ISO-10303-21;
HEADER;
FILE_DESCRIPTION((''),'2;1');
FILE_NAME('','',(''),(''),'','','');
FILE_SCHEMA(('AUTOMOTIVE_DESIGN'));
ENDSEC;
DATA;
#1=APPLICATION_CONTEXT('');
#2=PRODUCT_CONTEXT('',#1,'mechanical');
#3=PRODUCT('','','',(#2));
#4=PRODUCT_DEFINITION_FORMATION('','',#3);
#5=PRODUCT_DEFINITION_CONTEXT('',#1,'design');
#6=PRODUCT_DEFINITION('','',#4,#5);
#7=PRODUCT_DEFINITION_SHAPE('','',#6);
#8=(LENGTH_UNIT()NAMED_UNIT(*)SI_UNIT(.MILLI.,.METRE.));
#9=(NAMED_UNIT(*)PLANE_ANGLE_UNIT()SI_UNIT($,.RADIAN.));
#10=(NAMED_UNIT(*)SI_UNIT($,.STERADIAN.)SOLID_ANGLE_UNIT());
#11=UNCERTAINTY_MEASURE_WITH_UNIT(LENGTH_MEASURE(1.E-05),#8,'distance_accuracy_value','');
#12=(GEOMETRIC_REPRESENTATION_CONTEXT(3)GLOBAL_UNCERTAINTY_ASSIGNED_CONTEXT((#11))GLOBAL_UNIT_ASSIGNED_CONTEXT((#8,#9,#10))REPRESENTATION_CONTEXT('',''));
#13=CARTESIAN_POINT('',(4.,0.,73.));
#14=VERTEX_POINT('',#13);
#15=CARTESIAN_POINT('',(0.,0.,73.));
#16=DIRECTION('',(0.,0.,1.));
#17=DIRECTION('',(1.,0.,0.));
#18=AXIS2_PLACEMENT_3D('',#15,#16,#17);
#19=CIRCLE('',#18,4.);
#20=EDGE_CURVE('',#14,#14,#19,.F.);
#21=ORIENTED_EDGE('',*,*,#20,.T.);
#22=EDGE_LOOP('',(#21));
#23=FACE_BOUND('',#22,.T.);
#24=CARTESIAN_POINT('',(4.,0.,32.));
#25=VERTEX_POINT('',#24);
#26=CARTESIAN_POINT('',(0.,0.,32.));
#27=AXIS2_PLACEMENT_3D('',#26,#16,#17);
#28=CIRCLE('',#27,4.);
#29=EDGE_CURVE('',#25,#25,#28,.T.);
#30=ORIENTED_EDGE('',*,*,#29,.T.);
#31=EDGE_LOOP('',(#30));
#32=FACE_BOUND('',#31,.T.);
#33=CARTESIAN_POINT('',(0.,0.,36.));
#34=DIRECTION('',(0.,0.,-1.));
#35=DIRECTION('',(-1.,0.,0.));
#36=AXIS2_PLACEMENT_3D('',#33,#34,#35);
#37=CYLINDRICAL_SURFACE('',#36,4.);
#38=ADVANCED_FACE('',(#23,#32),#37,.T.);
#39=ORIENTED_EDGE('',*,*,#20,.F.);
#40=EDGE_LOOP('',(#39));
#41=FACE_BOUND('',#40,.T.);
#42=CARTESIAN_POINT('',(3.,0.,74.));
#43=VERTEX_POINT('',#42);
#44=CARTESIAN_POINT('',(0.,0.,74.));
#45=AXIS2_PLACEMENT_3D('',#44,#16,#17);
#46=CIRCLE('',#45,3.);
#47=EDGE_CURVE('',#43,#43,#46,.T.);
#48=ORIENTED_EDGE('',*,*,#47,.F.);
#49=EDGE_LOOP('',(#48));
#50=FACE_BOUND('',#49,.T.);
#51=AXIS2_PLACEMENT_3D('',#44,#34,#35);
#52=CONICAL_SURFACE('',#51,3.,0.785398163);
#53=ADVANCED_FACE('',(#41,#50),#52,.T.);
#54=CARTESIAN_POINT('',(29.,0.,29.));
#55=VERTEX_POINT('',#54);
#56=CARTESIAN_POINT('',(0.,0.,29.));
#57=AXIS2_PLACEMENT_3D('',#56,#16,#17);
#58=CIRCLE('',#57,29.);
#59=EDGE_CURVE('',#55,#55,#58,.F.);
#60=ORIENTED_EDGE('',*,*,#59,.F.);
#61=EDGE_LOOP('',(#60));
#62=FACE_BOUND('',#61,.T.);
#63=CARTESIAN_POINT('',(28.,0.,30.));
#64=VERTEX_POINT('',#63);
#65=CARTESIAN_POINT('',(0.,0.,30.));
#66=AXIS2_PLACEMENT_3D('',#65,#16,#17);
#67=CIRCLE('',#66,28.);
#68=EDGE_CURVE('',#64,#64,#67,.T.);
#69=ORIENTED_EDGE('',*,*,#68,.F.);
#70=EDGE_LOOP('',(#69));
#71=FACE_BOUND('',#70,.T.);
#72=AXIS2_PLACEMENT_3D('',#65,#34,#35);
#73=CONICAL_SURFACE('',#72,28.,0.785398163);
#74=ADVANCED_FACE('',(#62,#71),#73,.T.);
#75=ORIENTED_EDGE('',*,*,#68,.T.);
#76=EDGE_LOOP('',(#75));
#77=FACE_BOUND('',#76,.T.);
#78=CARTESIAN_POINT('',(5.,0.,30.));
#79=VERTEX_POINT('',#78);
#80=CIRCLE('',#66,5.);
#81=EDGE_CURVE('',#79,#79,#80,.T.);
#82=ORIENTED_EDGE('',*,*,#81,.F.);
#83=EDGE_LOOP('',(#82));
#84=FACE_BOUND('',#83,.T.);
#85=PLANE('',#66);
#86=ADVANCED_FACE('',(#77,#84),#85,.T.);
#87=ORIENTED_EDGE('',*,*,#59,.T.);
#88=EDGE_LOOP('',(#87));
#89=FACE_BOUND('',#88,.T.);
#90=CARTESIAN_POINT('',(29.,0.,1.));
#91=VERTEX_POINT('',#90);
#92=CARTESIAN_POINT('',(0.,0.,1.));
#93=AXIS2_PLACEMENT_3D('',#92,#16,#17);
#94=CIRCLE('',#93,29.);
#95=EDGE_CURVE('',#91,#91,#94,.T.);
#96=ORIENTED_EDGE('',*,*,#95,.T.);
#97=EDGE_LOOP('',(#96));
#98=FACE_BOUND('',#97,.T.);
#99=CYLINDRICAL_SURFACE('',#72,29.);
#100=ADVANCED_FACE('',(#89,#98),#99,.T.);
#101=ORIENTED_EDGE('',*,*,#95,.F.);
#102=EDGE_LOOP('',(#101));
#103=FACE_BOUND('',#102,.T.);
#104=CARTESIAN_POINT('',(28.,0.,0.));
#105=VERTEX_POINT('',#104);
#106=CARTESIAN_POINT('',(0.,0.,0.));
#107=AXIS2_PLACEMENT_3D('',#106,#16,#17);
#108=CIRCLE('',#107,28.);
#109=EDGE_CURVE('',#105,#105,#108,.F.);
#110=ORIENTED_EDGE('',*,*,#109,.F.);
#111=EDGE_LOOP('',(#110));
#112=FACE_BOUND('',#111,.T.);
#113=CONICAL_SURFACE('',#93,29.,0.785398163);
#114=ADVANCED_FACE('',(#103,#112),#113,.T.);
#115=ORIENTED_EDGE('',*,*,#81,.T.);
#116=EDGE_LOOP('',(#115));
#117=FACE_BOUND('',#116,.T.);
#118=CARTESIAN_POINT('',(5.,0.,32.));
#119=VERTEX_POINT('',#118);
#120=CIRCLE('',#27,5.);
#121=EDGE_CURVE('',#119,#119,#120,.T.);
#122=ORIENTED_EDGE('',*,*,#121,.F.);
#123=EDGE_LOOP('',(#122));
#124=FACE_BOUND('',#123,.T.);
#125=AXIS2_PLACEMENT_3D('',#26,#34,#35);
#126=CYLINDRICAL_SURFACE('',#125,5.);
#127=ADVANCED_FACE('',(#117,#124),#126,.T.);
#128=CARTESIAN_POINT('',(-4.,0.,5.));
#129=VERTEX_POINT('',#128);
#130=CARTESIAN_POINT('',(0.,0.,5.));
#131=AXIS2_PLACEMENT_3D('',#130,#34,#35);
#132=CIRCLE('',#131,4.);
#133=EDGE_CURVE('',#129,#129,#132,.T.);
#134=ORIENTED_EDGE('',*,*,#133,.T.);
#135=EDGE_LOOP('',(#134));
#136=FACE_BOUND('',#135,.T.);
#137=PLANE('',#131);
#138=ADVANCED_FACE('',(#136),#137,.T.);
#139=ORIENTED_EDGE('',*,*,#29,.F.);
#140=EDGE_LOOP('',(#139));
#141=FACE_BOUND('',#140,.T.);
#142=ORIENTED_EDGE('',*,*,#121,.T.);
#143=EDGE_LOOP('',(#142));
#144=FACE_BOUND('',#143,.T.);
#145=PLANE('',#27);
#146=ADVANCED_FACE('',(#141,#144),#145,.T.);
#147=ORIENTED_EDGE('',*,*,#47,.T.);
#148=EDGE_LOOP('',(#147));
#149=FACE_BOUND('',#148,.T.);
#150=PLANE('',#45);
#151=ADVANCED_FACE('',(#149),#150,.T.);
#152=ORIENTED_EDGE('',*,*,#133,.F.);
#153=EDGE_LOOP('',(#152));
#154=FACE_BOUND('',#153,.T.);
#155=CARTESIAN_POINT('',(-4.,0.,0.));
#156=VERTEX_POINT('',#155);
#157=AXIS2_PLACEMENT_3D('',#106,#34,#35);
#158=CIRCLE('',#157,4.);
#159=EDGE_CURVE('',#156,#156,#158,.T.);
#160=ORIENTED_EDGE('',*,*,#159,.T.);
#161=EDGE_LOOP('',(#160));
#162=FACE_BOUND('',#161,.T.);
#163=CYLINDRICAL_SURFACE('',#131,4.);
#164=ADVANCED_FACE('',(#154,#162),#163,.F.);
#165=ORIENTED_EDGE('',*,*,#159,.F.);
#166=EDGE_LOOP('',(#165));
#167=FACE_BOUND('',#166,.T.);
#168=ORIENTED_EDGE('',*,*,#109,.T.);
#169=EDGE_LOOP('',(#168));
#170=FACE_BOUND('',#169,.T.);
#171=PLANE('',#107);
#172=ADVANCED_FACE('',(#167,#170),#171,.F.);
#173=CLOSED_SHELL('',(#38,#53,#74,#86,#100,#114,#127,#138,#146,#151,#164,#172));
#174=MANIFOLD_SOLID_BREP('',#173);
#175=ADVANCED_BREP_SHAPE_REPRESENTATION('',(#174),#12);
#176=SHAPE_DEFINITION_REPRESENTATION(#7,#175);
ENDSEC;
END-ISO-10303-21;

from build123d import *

# Parameters (mm, degrees)
ESQUISSE1_R             = 29
BOSS_EXTRU_1_DEPTH      = 30
ESQUISSE2_R             = 4
BOSS_EXTRU_2_DEPTH      = 6
ESQUISSE3_R             = 5
BOSS_EXTRU_3_DEPTH      = 2
ESQUISSE4_R             = 4
ENL_V_MAT_EXTRU_1_DEPTH = 5
CHANFREIN1_SIZE         = 1
ESQUISSE5_R             = 4
BOSS_EXTRU_4_DEPTH      = 10
ESQUISSE6_R             = 4
BOSS_EXTRU_5_DEPTH      = 28
CHANFREIN2_SIZE         = 1


with BuildPart() as part:
    # Esquisse1 → Boss.-Extru.1 (new body)
    with BuildSketch(Plane.XY):
        Circle(ESQUISSE1_R)
    extrude(amount=BOSS_EXTRU_1_DEPTH)

    # Esquisse2 → Boss.-Extru.2 (add)
    with BuildSketch(Plane.XY.offset(30)):
        Circle(ESQUISSE2_R)
    extrude(amount=BOSS_EXTRU_2_DEPTH)

    # Esquisse3 → Boss.-Extru.3 (add)
    with BuildSketch(Plane.XY.offset(30)):
        Circle(ESQUISSE3_R)
    extrude(amount=BOSS_EXTRU_3_DEPTH)

    # Esquisse4 → Enlèv. mat.-Extru.1 (cut)
    with BuildSketch(Plane(origin=(0, 0, 0), x_dir=(-1, 0, 0), z_dir=(0, 0, -1))):
        with Locations(Location((0, 0, 0), (0, 0, 180))):
            Circle(ESQUISSE4_R)
    extrude(amount=-ENL_V_MAT_EXTRU_1_DEPTH, mode=Mode.SUBTRACT)

    # Chanfrein1
    chanfrein1_edges = [part.edges().sort_by_distance(p)[0] for p in [
        (-29, 0, 0),
        (-29, 0, 30),
    ]]
    chamfer(chanfrein1_edges, length=CHANFREIN1_SIZE)

    # Esquisse5 → Boss.-Extru.4 (add)
    with BuildSketch(Plane.XY.offset(36)):
        Circle(ESQUISSE5_R)
    extrude(amount=BOSS_EXTRU_4_DEPTH)

    # Esquisse6 → Boss.-Extru.5 (add)
    with BuildSketch(Plane.XY.offset(46)):
        Circle(ESQUISSE6_R)
    extrude(amount=BOSS_EXTRU_5_DEPTH)

    # Chanfrein2
    chanfrein2_edges = [part.edges().sort_by_distance(p)[0] for p in [
        (-4, 0, 74),
    ]]
    chamfer(chanfrein2_edges, length=CHANFREIN2_SIZE)


solid = part.part
